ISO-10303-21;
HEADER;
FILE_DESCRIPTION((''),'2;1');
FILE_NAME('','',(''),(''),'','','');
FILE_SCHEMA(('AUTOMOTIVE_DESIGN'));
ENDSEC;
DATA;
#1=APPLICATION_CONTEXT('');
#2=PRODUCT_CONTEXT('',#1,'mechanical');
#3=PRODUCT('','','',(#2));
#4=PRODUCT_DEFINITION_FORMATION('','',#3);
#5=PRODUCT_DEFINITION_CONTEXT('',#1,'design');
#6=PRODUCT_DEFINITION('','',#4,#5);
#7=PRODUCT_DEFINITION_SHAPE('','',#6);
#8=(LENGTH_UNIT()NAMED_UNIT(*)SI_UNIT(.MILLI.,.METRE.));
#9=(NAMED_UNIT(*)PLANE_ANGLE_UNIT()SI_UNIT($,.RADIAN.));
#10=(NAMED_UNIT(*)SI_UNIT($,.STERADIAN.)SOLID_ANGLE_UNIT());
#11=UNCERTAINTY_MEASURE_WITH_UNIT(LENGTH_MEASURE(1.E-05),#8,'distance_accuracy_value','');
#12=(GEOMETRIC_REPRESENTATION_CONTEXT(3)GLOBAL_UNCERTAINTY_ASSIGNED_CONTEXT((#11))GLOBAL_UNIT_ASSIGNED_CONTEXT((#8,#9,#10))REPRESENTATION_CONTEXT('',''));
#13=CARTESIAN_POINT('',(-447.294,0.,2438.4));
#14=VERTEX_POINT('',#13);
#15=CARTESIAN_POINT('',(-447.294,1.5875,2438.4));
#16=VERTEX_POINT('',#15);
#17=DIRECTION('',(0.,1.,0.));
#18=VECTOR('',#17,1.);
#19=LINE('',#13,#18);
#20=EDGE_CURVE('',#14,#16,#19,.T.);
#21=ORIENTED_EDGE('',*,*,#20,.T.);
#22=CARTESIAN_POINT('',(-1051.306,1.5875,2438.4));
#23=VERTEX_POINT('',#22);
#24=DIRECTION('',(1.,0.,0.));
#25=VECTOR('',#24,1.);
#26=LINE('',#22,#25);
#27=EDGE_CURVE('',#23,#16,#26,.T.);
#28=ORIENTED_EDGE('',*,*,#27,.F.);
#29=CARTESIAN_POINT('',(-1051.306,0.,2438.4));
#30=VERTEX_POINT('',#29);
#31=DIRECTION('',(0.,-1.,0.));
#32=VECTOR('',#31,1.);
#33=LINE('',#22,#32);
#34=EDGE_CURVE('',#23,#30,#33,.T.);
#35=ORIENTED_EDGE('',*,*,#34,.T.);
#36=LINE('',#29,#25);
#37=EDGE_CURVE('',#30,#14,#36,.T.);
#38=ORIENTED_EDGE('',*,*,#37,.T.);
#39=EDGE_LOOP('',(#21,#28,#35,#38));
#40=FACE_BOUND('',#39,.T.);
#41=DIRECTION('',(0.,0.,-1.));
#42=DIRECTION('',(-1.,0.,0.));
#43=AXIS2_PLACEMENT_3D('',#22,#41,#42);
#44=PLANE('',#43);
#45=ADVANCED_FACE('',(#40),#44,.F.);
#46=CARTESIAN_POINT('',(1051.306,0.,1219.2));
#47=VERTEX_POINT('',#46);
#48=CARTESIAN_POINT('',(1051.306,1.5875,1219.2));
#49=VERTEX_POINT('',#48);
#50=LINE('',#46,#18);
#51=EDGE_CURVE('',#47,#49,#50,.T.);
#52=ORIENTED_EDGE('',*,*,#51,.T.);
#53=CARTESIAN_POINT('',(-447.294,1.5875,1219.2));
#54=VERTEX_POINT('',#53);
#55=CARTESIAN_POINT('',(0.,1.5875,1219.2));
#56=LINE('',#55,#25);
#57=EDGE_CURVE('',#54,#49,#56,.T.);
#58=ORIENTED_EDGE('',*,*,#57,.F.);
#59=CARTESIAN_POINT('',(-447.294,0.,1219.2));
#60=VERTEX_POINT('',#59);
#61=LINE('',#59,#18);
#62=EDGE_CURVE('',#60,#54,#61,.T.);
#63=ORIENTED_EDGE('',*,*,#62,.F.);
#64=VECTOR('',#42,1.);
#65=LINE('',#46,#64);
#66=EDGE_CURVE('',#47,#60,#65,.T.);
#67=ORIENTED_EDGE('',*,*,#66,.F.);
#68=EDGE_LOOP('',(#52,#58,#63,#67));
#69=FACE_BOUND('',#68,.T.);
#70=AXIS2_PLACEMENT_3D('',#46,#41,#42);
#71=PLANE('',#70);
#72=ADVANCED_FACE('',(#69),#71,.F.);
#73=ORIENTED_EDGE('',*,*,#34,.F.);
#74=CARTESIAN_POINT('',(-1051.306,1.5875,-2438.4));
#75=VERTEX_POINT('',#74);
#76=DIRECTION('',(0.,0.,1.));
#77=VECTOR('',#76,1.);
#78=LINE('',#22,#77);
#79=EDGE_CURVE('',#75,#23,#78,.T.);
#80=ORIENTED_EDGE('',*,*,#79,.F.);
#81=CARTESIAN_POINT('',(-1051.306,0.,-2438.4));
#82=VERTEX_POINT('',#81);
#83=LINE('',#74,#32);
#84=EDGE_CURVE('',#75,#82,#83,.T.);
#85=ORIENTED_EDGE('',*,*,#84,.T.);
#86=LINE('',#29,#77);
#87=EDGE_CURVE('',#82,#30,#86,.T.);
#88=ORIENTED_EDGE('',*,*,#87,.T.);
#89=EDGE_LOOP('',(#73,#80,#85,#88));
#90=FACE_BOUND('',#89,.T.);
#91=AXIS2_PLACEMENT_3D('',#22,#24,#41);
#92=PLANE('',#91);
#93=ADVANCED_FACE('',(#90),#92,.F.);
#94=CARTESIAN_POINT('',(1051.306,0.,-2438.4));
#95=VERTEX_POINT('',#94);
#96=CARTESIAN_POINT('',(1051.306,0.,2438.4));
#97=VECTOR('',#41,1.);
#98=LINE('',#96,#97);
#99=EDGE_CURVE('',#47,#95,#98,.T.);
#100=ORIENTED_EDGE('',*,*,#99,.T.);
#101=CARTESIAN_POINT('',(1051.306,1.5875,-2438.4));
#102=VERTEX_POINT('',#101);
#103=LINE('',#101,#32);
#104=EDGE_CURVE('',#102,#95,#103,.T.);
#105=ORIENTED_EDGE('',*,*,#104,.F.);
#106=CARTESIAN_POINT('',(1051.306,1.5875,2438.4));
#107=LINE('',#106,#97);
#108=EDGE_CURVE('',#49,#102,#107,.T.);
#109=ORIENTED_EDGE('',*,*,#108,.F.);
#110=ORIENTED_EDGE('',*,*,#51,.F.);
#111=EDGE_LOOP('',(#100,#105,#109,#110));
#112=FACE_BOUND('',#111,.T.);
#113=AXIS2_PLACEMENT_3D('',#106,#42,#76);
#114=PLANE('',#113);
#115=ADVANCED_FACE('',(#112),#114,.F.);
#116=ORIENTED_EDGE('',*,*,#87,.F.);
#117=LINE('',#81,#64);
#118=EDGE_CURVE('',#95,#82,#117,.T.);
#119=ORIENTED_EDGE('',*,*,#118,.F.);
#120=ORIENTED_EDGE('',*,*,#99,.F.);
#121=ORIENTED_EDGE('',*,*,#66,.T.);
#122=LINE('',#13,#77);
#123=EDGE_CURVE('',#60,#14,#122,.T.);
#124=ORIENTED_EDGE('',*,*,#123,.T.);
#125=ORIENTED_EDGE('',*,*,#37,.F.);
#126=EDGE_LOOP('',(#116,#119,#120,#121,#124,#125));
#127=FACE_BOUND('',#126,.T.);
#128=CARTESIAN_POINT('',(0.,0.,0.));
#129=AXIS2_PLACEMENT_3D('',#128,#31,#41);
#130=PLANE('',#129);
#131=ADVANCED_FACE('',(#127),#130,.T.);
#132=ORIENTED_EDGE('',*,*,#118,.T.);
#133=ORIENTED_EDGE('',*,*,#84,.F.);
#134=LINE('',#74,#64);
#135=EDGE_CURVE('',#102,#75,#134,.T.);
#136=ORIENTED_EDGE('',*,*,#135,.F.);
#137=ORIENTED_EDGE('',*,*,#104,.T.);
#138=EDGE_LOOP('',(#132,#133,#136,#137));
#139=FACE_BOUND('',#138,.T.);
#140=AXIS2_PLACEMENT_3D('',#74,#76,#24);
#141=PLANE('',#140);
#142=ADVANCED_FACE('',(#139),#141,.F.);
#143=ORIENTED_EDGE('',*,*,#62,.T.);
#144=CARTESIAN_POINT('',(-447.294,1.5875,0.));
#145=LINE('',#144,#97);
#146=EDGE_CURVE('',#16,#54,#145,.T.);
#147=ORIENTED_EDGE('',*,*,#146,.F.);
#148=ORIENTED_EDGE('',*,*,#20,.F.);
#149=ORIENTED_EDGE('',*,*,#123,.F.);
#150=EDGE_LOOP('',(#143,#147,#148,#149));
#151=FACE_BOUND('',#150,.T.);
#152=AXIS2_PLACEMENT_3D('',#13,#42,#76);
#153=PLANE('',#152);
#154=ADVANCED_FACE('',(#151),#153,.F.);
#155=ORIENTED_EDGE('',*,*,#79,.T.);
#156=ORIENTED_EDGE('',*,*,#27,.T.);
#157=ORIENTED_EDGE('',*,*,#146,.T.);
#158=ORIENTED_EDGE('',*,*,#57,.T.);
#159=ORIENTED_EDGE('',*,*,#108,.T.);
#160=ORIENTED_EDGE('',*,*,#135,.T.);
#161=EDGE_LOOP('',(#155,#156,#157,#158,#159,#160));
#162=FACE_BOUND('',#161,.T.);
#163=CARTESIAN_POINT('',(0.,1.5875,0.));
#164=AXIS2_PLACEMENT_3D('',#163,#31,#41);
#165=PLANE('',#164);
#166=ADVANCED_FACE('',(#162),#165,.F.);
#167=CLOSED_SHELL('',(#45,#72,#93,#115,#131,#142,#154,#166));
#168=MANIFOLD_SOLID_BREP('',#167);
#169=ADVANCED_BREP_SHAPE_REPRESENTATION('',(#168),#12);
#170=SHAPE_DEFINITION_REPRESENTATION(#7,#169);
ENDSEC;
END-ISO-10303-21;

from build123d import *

# Parameters (mm, degrees)
SKETCH1_W               = 2102.612
SKETCH1_H               = 4876.8
BOSS_EXTRUDE1_DEPTH     = 1.5875
SKETCH2_W               = 1498.6
SKETCH2_H               = 1219.2
CUT_EXTRUDE1_DEPTH      = 1
CUT_EXTRUDE1_DEPTH_BACK = 2.5875


with BuildPart() as part:
    # Sketch1 → Boss-Extrude1 (new body)
    with BuildSketch(Plane(origin=(0, 0, 0), x_dir=(1, 0, 0), z_dir=(0, 1, 0))):
        Rectangle(SKETCH1_W, SKETCH1_H)
    extrude(amount=BOSS_EXTRUDE1_DEPTH)

    # Sketch2 → Cut-Extrude1 (cut, two sides)
    with BuildSketch(Plane(origin=(0, 1.5875, 0), x_dir=(1, 0, 0), z_dir=(0, 1, 0))) as cut_extrude1_sk:
        with Locations((302.006, -1828.8)):
            Rectangle(SKETCH2_W, SKETCH2_H)
    extrude(amount=CUT_EXTRUDE1_DEPTH, mode=Mode.SUBTRACT)
    extrude(cut_extrude1_sk.sketch, amount=-CUT_EXTRUDE1_DEPTH_BACK, mode=Mode.SUBTRACT)


solid = part.part
